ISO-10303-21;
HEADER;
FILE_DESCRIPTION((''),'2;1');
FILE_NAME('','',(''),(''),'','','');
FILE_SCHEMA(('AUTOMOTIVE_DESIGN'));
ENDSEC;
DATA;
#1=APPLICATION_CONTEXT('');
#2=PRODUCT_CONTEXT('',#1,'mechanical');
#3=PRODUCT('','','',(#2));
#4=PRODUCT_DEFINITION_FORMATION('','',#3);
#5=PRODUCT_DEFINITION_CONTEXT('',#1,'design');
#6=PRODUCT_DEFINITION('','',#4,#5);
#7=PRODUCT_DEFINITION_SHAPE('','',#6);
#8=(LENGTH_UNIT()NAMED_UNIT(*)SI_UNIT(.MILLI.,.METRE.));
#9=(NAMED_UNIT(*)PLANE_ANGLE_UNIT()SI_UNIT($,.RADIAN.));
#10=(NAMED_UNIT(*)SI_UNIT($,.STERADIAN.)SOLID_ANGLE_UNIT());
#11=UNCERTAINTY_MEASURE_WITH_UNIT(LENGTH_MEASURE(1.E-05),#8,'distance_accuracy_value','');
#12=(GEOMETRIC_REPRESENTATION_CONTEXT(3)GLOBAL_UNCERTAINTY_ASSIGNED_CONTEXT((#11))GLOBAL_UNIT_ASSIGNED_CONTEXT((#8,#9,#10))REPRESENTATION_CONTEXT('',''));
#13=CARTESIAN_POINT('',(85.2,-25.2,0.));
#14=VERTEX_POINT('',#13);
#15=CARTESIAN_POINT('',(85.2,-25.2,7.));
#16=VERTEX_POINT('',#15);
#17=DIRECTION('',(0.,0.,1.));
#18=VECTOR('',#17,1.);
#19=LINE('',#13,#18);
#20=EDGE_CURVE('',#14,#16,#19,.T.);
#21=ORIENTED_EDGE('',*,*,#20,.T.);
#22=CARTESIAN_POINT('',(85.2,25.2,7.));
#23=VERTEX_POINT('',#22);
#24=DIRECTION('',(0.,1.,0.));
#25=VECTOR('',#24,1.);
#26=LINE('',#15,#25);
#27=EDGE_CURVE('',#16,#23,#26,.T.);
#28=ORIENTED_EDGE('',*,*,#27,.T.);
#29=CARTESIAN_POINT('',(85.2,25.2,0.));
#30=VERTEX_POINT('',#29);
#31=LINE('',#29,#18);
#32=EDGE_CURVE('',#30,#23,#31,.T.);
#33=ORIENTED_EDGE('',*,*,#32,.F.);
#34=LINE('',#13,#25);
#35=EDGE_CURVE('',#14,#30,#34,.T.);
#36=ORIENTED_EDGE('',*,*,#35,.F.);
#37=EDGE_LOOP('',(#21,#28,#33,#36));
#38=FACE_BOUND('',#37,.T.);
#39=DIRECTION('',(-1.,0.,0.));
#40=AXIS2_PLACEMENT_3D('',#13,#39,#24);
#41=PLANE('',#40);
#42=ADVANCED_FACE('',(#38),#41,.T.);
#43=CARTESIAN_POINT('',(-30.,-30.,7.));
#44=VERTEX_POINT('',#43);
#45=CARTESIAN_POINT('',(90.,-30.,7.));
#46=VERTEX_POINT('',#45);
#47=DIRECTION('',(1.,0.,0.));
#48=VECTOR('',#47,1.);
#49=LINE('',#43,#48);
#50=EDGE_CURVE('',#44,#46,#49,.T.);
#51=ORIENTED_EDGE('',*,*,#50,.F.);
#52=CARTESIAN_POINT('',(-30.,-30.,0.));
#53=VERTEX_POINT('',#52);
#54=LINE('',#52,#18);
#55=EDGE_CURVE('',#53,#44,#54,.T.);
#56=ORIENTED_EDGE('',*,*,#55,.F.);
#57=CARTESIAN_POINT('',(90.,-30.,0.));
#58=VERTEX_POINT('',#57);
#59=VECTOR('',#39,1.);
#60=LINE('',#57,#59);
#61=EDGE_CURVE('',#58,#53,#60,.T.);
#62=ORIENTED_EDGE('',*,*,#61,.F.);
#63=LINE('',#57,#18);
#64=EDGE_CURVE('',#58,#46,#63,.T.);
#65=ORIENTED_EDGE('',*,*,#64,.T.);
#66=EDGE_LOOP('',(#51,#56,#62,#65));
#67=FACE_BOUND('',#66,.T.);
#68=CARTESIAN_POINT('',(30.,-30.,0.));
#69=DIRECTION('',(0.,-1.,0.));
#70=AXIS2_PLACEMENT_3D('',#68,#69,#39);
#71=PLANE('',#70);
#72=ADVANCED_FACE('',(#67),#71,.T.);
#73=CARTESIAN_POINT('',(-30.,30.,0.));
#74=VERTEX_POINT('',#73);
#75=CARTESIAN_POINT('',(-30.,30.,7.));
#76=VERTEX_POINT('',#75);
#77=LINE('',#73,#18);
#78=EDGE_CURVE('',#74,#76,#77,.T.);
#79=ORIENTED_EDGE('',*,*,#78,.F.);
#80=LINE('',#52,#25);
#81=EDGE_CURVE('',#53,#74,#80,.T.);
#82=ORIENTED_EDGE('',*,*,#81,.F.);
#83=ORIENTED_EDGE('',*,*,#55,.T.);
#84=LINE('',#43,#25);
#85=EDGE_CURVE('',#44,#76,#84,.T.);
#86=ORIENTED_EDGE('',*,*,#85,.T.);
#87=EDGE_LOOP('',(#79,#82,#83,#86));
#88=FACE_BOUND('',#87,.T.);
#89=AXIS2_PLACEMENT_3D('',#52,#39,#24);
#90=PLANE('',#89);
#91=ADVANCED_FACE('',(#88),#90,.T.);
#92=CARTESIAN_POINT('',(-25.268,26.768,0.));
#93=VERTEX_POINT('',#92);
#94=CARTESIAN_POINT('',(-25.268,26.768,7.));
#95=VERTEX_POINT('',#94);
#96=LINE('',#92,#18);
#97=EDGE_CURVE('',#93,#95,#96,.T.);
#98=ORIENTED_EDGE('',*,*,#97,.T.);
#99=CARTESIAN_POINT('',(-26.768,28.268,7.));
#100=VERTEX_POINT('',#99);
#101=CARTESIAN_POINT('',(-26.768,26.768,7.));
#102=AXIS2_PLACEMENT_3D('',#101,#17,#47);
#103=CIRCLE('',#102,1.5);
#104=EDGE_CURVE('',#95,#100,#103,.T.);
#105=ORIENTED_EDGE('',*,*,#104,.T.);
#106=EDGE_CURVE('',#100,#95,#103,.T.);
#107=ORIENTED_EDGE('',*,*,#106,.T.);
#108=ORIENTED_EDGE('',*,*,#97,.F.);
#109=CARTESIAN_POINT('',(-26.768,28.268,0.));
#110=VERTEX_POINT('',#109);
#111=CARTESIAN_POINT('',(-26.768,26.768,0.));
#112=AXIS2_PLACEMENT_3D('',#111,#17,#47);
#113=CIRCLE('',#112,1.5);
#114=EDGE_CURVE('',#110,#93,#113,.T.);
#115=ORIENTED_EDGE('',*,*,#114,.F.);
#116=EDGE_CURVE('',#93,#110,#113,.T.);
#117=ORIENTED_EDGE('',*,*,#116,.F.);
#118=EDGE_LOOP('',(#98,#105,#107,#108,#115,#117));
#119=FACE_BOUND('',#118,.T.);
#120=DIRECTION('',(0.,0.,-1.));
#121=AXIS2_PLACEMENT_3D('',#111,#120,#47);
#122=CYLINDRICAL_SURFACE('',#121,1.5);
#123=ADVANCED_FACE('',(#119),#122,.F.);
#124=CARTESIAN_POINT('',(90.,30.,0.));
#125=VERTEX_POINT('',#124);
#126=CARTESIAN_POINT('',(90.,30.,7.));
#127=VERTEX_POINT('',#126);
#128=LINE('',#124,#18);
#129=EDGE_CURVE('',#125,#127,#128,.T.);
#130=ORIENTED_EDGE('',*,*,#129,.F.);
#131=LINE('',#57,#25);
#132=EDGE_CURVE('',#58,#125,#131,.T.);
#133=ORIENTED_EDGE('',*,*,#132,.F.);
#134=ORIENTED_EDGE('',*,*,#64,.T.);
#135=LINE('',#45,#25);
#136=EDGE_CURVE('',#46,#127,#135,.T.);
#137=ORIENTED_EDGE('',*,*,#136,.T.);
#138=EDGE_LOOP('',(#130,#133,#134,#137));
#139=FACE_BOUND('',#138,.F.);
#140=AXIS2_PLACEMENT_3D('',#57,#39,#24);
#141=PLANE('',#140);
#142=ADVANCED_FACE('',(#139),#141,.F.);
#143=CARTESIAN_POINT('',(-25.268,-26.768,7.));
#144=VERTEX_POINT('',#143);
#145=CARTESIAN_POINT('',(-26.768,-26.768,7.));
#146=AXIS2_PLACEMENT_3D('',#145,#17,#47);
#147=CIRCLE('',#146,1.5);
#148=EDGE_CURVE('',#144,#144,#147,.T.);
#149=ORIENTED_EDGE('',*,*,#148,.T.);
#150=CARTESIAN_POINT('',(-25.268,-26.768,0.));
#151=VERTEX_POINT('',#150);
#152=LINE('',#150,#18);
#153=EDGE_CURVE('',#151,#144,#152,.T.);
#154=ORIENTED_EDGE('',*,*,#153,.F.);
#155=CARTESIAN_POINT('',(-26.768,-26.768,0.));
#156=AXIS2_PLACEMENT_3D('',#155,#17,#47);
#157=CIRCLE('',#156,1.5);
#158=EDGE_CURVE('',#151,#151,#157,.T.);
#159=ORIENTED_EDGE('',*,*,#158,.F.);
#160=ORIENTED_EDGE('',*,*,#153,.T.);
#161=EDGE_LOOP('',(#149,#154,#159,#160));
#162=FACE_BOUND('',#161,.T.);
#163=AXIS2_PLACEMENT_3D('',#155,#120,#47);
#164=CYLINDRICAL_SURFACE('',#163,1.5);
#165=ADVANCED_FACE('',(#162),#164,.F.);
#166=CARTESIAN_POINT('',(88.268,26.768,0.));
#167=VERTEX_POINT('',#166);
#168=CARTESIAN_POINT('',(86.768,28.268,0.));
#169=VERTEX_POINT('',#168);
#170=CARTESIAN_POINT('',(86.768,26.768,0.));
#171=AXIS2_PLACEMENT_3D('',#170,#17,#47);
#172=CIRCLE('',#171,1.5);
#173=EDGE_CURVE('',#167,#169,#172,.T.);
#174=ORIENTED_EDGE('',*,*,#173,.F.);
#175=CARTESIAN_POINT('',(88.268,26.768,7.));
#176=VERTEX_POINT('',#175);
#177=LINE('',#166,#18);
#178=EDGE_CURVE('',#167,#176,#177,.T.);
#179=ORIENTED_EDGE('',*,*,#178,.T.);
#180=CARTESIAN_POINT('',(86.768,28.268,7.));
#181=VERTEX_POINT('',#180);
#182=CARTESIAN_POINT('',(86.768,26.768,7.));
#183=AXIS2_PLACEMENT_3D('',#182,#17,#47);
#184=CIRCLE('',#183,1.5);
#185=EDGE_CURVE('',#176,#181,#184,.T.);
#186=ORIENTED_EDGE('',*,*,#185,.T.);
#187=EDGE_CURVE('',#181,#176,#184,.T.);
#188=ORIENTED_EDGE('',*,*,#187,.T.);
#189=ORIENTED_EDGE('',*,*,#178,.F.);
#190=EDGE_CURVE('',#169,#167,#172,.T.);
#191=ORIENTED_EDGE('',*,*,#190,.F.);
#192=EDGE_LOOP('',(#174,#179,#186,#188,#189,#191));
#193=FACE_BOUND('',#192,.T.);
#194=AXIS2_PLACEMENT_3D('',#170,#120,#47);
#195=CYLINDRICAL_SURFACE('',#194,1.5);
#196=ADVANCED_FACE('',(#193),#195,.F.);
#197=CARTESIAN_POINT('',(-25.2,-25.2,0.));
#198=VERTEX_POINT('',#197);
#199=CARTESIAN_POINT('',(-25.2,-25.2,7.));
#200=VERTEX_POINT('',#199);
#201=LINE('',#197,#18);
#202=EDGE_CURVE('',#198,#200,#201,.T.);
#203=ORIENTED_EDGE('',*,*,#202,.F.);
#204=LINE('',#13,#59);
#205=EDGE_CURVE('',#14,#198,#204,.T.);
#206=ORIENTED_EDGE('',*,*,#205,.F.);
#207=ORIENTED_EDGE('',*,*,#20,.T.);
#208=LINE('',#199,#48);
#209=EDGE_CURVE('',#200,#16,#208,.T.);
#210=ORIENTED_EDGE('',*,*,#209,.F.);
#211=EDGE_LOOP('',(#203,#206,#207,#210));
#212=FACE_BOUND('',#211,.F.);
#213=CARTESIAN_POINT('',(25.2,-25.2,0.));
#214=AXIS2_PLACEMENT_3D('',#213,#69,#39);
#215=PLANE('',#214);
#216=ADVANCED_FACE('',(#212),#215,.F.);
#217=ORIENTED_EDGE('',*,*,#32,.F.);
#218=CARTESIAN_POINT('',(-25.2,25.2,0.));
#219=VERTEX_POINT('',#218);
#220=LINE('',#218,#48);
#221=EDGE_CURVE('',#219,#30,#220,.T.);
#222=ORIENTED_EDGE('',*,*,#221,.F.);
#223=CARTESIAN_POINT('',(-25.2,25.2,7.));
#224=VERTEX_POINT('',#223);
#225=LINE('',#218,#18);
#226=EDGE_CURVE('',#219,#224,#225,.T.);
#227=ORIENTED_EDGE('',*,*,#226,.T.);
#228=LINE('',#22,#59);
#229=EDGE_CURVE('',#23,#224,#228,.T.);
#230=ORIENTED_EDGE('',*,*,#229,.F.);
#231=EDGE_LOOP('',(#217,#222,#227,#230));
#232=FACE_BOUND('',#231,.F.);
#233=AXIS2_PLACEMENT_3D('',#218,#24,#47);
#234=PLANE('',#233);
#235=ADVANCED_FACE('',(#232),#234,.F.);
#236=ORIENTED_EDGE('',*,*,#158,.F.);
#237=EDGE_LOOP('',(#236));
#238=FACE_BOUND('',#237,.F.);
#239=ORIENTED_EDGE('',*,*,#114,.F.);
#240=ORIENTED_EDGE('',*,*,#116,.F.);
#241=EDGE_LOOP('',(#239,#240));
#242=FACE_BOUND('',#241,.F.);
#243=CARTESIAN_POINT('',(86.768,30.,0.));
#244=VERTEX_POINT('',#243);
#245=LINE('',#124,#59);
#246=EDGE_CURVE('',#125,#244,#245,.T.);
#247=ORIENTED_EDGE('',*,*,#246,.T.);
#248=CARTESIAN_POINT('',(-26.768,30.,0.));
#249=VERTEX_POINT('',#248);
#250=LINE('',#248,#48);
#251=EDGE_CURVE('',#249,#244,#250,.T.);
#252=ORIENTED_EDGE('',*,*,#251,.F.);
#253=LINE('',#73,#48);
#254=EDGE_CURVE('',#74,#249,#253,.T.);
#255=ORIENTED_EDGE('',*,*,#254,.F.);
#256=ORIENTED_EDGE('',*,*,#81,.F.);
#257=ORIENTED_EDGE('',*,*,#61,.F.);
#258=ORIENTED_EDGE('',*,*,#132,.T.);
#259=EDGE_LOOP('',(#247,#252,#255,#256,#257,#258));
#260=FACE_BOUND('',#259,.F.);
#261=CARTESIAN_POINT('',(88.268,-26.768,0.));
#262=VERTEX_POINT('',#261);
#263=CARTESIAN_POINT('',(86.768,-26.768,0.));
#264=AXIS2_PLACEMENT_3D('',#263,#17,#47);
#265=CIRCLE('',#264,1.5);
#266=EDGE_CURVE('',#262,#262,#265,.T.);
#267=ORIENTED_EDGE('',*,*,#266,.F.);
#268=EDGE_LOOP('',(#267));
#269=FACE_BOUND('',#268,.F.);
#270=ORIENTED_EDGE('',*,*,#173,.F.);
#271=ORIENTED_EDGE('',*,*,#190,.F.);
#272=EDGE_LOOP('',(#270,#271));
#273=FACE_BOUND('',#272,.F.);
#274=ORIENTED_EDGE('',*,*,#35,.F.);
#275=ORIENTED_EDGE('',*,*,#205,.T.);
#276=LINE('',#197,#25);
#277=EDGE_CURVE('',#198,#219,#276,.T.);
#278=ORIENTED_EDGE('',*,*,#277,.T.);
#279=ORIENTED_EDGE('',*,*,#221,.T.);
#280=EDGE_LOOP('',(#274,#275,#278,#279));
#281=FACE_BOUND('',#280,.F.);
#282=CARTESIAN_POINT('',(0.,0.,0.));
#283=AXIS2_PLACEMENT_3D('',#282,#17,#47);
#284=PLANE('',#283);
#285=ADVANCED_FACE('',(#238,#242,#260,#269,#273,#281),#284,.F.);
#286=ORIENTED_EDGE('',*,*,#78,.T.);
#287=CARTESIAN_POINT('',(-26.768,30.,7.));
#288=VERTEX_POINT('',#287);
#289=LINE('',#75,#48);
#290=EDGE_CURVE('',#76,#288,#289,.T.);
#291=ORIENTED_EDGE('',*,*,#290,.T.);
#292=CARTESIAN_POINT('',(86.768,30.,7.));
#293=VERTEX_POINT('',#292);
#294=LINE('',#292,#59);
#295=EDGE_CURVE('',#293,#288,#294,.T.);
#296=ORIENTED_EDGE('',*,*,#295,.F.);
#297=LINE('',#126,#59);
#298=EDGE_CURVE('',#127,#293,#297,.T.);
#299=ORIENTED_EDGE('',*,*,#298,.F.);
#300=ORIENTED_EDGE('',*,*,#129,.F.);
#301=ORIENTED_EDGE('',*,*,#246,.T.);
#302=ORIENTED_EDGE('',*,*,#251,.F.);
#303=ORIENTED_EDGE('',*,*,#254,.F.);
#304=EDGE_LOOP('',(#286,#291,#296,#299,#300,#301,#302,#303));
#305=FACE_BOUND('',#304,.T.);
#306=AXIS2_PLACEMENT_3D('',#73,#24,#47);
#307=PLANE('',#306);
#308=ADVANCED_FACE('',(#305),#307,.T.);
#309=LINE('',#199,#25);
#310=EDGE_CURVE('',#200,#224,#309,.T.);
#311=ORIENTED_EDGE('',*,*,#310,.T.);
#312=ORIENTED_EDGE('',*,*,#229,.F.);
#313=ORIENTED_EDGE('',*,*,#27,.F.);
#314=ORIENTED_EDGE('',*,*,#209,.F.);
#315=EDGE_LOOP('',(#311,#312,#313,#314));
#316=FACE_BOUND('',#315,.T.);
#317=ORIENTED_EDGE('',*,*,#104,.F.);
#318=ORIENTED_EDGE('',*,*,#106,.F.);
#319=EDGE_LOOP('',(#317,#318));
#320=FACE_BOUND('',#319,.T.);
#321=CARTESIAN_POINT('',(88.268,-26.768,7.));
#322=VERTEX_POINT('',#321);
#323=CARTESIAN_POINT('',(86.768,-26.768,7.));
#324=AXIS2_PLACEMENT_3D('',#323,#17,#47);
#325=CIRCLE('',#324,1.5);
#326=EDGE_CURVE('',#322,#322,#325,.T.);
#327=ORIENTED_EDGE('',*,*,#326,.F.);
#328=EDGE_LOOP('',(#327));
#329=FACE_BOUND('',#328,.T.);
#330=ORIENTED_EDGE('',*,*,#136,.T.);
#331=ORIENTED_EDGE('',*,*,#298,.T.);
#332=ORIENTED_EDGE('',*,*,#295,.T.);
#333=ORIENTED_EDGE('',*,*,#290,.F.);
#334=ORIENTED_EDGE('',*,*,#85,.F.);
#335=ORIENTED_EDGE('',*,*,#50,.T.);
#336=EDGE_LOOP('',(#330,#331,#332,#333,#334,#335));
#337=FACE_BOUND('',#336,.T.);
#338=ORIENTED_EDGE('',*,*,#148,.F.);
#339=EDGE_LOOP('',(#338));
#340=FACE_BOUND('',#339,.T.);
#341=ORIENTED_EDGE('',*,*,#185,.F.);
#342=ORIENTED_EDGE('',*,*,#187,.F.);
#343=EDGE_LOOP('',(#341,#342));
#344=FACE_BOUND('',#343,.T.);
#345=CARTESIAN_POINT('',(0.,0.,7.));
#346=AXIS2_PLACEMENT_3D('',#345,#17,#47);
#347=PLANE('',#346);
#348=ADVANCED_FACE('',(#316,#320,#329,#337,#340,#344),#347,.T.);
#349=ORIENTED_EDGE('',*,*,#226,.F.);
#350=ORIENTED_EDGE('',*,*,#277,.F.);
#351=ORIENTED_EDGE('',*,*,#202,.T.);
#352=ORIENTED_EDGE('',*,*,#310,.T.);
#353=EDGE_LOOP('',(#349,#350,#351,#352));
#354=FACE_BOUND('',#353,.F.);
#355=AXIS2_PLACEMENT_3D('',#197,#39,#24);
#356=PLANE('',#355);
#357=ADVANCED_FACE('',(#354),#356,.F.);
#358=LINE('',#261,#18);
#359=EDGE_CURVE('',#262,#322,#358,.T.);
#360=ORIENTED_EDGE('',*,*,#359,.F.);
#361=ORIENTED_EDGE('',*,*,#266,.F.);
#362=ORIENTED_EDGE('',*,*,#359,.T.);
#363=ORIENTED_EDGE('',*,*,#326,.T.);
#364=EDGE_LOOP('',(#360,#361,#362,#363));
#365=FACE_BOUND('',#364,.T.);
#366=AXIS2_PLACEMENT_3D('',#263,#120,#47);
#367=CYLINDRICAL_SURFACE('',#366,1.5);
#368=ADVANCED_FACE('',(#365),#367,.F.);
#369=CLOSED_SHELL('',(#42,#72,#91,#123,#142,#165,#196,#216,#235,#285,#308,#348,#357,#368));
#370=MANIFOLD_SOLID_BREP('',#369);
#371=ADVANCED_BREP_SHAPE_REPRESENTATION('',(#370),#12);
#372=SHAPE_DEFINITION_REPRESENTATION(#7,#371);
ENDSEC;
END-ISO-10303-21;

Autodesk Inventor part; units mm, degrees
ref_plane "YZ Plane" through (0, 0, 0) normal (1, 0, 0) x (0, 1, 0)
ref_plane "XZ Plane" through (0, 0, 0) normal (0, 1, 0) x (-1, 0, 0)
ref_plane "XY Plane" through (0, 0, 0) normal (0, 0, 1) x (1, 0, 0)
sketch "Sketch1" plane through (0, 0, 0) normal (0, 0, 1) x (1, 0, 0)
  line L0 (-25.2, 25.2) -> (25.2, 25.2)
  line L1 (25.2, 25.2) -> (25.2, -25.2)
  line L2 (25.2, -25.2) -> (-25.2, -25.2)
  line L3 (-25.2, -25.2) -> (-25.2, 25.2)
  line L4 (-25.2, 25.2) -> (25.2, -25.2) construction
  line L5 (25.2, 25.2) -> (-25.2, -25.2) construction
  line L6 (-30, 30) -> (30, 30)
  line L7 (30, 30) -> (30, -30)
  line L8 (30, -30) -> (-30, -30)
  line L9 (-30, -30) -> (-30, 30)
  line L10 (-30, 30) -> (30, -30) construction
  line L11 (30, 30) -> (-30, -30) construction
  line L12 (-30, 30) -> (-26.768, 30)
  line L13 (-26.768, 30) -> (-26.768, 26.768)
  circle A0 centre (-26.768, 26.768) radius 1.5
  circle A1 centre (-26.768, -26.768) radius 1.5
  circle A2 centre (26.768, -26.768) radius 1.5
  circle A3 centre (26.768, 26.768) radius 1.5
  line L14 (85.2, 25.2) -> (34.8, 25.2)
  line L15 (34.8, 25.2) -> (34.8, -25.2)
  line L16 (34.8, -25.2) -> (85.2, -25.2)
  line L17 (85.2, -25.2) -> (85.2, 25.2)
  line L18 (85.2, 25.2) -> (34.8, -25.2) construction
  line L19 (34.8, 25.2) -> (85.2, -25.2) construction
  line L20 (90, 30) -> (30, 30)
  line L21 (30, -30) -> (90, -30)
  line L22 (90, -30) -> (90, 30)
  line L23 (90, 30) -> (30, -30) construction
  line L24 (30, 30) -> (90, -30) construction
  line L25 (90, 30) -> (86.768, 30)
  line L26 (86.768, 30) -> (86.768, 26.768)
  circle A4 centre (86.768, 26.768) radius 1.5
  circle A5 centre (86.768, -26.768) radius 1.5
  line L27 (25.2, 25.2) -> (34.8, 25.2)
  line L28 (25.2, -25.2) -> (34.8, -25.2)
  point P0 (0, 0)
  point P1 (60, 0)
  dimension "d0" = 50.4
  dimension "d1" = 50.4
  dimension "d2" = 60
  dimension "d3" = 60
  dimension "d4" = 3.232
  dimension "d5" = 3.232
  dimension "d6" = 3
  dimension "d9" = 360
extrude "Extrusion1" add sketch "Sketch1" along normal blind 7 contours L3 L2 L28 L7 L8 L9 L6 L27 L0 | L7 L20 L22 L21 L28 L16 L17 L14 L27 | A2 | A3
properties part number "rack_C2x1"
